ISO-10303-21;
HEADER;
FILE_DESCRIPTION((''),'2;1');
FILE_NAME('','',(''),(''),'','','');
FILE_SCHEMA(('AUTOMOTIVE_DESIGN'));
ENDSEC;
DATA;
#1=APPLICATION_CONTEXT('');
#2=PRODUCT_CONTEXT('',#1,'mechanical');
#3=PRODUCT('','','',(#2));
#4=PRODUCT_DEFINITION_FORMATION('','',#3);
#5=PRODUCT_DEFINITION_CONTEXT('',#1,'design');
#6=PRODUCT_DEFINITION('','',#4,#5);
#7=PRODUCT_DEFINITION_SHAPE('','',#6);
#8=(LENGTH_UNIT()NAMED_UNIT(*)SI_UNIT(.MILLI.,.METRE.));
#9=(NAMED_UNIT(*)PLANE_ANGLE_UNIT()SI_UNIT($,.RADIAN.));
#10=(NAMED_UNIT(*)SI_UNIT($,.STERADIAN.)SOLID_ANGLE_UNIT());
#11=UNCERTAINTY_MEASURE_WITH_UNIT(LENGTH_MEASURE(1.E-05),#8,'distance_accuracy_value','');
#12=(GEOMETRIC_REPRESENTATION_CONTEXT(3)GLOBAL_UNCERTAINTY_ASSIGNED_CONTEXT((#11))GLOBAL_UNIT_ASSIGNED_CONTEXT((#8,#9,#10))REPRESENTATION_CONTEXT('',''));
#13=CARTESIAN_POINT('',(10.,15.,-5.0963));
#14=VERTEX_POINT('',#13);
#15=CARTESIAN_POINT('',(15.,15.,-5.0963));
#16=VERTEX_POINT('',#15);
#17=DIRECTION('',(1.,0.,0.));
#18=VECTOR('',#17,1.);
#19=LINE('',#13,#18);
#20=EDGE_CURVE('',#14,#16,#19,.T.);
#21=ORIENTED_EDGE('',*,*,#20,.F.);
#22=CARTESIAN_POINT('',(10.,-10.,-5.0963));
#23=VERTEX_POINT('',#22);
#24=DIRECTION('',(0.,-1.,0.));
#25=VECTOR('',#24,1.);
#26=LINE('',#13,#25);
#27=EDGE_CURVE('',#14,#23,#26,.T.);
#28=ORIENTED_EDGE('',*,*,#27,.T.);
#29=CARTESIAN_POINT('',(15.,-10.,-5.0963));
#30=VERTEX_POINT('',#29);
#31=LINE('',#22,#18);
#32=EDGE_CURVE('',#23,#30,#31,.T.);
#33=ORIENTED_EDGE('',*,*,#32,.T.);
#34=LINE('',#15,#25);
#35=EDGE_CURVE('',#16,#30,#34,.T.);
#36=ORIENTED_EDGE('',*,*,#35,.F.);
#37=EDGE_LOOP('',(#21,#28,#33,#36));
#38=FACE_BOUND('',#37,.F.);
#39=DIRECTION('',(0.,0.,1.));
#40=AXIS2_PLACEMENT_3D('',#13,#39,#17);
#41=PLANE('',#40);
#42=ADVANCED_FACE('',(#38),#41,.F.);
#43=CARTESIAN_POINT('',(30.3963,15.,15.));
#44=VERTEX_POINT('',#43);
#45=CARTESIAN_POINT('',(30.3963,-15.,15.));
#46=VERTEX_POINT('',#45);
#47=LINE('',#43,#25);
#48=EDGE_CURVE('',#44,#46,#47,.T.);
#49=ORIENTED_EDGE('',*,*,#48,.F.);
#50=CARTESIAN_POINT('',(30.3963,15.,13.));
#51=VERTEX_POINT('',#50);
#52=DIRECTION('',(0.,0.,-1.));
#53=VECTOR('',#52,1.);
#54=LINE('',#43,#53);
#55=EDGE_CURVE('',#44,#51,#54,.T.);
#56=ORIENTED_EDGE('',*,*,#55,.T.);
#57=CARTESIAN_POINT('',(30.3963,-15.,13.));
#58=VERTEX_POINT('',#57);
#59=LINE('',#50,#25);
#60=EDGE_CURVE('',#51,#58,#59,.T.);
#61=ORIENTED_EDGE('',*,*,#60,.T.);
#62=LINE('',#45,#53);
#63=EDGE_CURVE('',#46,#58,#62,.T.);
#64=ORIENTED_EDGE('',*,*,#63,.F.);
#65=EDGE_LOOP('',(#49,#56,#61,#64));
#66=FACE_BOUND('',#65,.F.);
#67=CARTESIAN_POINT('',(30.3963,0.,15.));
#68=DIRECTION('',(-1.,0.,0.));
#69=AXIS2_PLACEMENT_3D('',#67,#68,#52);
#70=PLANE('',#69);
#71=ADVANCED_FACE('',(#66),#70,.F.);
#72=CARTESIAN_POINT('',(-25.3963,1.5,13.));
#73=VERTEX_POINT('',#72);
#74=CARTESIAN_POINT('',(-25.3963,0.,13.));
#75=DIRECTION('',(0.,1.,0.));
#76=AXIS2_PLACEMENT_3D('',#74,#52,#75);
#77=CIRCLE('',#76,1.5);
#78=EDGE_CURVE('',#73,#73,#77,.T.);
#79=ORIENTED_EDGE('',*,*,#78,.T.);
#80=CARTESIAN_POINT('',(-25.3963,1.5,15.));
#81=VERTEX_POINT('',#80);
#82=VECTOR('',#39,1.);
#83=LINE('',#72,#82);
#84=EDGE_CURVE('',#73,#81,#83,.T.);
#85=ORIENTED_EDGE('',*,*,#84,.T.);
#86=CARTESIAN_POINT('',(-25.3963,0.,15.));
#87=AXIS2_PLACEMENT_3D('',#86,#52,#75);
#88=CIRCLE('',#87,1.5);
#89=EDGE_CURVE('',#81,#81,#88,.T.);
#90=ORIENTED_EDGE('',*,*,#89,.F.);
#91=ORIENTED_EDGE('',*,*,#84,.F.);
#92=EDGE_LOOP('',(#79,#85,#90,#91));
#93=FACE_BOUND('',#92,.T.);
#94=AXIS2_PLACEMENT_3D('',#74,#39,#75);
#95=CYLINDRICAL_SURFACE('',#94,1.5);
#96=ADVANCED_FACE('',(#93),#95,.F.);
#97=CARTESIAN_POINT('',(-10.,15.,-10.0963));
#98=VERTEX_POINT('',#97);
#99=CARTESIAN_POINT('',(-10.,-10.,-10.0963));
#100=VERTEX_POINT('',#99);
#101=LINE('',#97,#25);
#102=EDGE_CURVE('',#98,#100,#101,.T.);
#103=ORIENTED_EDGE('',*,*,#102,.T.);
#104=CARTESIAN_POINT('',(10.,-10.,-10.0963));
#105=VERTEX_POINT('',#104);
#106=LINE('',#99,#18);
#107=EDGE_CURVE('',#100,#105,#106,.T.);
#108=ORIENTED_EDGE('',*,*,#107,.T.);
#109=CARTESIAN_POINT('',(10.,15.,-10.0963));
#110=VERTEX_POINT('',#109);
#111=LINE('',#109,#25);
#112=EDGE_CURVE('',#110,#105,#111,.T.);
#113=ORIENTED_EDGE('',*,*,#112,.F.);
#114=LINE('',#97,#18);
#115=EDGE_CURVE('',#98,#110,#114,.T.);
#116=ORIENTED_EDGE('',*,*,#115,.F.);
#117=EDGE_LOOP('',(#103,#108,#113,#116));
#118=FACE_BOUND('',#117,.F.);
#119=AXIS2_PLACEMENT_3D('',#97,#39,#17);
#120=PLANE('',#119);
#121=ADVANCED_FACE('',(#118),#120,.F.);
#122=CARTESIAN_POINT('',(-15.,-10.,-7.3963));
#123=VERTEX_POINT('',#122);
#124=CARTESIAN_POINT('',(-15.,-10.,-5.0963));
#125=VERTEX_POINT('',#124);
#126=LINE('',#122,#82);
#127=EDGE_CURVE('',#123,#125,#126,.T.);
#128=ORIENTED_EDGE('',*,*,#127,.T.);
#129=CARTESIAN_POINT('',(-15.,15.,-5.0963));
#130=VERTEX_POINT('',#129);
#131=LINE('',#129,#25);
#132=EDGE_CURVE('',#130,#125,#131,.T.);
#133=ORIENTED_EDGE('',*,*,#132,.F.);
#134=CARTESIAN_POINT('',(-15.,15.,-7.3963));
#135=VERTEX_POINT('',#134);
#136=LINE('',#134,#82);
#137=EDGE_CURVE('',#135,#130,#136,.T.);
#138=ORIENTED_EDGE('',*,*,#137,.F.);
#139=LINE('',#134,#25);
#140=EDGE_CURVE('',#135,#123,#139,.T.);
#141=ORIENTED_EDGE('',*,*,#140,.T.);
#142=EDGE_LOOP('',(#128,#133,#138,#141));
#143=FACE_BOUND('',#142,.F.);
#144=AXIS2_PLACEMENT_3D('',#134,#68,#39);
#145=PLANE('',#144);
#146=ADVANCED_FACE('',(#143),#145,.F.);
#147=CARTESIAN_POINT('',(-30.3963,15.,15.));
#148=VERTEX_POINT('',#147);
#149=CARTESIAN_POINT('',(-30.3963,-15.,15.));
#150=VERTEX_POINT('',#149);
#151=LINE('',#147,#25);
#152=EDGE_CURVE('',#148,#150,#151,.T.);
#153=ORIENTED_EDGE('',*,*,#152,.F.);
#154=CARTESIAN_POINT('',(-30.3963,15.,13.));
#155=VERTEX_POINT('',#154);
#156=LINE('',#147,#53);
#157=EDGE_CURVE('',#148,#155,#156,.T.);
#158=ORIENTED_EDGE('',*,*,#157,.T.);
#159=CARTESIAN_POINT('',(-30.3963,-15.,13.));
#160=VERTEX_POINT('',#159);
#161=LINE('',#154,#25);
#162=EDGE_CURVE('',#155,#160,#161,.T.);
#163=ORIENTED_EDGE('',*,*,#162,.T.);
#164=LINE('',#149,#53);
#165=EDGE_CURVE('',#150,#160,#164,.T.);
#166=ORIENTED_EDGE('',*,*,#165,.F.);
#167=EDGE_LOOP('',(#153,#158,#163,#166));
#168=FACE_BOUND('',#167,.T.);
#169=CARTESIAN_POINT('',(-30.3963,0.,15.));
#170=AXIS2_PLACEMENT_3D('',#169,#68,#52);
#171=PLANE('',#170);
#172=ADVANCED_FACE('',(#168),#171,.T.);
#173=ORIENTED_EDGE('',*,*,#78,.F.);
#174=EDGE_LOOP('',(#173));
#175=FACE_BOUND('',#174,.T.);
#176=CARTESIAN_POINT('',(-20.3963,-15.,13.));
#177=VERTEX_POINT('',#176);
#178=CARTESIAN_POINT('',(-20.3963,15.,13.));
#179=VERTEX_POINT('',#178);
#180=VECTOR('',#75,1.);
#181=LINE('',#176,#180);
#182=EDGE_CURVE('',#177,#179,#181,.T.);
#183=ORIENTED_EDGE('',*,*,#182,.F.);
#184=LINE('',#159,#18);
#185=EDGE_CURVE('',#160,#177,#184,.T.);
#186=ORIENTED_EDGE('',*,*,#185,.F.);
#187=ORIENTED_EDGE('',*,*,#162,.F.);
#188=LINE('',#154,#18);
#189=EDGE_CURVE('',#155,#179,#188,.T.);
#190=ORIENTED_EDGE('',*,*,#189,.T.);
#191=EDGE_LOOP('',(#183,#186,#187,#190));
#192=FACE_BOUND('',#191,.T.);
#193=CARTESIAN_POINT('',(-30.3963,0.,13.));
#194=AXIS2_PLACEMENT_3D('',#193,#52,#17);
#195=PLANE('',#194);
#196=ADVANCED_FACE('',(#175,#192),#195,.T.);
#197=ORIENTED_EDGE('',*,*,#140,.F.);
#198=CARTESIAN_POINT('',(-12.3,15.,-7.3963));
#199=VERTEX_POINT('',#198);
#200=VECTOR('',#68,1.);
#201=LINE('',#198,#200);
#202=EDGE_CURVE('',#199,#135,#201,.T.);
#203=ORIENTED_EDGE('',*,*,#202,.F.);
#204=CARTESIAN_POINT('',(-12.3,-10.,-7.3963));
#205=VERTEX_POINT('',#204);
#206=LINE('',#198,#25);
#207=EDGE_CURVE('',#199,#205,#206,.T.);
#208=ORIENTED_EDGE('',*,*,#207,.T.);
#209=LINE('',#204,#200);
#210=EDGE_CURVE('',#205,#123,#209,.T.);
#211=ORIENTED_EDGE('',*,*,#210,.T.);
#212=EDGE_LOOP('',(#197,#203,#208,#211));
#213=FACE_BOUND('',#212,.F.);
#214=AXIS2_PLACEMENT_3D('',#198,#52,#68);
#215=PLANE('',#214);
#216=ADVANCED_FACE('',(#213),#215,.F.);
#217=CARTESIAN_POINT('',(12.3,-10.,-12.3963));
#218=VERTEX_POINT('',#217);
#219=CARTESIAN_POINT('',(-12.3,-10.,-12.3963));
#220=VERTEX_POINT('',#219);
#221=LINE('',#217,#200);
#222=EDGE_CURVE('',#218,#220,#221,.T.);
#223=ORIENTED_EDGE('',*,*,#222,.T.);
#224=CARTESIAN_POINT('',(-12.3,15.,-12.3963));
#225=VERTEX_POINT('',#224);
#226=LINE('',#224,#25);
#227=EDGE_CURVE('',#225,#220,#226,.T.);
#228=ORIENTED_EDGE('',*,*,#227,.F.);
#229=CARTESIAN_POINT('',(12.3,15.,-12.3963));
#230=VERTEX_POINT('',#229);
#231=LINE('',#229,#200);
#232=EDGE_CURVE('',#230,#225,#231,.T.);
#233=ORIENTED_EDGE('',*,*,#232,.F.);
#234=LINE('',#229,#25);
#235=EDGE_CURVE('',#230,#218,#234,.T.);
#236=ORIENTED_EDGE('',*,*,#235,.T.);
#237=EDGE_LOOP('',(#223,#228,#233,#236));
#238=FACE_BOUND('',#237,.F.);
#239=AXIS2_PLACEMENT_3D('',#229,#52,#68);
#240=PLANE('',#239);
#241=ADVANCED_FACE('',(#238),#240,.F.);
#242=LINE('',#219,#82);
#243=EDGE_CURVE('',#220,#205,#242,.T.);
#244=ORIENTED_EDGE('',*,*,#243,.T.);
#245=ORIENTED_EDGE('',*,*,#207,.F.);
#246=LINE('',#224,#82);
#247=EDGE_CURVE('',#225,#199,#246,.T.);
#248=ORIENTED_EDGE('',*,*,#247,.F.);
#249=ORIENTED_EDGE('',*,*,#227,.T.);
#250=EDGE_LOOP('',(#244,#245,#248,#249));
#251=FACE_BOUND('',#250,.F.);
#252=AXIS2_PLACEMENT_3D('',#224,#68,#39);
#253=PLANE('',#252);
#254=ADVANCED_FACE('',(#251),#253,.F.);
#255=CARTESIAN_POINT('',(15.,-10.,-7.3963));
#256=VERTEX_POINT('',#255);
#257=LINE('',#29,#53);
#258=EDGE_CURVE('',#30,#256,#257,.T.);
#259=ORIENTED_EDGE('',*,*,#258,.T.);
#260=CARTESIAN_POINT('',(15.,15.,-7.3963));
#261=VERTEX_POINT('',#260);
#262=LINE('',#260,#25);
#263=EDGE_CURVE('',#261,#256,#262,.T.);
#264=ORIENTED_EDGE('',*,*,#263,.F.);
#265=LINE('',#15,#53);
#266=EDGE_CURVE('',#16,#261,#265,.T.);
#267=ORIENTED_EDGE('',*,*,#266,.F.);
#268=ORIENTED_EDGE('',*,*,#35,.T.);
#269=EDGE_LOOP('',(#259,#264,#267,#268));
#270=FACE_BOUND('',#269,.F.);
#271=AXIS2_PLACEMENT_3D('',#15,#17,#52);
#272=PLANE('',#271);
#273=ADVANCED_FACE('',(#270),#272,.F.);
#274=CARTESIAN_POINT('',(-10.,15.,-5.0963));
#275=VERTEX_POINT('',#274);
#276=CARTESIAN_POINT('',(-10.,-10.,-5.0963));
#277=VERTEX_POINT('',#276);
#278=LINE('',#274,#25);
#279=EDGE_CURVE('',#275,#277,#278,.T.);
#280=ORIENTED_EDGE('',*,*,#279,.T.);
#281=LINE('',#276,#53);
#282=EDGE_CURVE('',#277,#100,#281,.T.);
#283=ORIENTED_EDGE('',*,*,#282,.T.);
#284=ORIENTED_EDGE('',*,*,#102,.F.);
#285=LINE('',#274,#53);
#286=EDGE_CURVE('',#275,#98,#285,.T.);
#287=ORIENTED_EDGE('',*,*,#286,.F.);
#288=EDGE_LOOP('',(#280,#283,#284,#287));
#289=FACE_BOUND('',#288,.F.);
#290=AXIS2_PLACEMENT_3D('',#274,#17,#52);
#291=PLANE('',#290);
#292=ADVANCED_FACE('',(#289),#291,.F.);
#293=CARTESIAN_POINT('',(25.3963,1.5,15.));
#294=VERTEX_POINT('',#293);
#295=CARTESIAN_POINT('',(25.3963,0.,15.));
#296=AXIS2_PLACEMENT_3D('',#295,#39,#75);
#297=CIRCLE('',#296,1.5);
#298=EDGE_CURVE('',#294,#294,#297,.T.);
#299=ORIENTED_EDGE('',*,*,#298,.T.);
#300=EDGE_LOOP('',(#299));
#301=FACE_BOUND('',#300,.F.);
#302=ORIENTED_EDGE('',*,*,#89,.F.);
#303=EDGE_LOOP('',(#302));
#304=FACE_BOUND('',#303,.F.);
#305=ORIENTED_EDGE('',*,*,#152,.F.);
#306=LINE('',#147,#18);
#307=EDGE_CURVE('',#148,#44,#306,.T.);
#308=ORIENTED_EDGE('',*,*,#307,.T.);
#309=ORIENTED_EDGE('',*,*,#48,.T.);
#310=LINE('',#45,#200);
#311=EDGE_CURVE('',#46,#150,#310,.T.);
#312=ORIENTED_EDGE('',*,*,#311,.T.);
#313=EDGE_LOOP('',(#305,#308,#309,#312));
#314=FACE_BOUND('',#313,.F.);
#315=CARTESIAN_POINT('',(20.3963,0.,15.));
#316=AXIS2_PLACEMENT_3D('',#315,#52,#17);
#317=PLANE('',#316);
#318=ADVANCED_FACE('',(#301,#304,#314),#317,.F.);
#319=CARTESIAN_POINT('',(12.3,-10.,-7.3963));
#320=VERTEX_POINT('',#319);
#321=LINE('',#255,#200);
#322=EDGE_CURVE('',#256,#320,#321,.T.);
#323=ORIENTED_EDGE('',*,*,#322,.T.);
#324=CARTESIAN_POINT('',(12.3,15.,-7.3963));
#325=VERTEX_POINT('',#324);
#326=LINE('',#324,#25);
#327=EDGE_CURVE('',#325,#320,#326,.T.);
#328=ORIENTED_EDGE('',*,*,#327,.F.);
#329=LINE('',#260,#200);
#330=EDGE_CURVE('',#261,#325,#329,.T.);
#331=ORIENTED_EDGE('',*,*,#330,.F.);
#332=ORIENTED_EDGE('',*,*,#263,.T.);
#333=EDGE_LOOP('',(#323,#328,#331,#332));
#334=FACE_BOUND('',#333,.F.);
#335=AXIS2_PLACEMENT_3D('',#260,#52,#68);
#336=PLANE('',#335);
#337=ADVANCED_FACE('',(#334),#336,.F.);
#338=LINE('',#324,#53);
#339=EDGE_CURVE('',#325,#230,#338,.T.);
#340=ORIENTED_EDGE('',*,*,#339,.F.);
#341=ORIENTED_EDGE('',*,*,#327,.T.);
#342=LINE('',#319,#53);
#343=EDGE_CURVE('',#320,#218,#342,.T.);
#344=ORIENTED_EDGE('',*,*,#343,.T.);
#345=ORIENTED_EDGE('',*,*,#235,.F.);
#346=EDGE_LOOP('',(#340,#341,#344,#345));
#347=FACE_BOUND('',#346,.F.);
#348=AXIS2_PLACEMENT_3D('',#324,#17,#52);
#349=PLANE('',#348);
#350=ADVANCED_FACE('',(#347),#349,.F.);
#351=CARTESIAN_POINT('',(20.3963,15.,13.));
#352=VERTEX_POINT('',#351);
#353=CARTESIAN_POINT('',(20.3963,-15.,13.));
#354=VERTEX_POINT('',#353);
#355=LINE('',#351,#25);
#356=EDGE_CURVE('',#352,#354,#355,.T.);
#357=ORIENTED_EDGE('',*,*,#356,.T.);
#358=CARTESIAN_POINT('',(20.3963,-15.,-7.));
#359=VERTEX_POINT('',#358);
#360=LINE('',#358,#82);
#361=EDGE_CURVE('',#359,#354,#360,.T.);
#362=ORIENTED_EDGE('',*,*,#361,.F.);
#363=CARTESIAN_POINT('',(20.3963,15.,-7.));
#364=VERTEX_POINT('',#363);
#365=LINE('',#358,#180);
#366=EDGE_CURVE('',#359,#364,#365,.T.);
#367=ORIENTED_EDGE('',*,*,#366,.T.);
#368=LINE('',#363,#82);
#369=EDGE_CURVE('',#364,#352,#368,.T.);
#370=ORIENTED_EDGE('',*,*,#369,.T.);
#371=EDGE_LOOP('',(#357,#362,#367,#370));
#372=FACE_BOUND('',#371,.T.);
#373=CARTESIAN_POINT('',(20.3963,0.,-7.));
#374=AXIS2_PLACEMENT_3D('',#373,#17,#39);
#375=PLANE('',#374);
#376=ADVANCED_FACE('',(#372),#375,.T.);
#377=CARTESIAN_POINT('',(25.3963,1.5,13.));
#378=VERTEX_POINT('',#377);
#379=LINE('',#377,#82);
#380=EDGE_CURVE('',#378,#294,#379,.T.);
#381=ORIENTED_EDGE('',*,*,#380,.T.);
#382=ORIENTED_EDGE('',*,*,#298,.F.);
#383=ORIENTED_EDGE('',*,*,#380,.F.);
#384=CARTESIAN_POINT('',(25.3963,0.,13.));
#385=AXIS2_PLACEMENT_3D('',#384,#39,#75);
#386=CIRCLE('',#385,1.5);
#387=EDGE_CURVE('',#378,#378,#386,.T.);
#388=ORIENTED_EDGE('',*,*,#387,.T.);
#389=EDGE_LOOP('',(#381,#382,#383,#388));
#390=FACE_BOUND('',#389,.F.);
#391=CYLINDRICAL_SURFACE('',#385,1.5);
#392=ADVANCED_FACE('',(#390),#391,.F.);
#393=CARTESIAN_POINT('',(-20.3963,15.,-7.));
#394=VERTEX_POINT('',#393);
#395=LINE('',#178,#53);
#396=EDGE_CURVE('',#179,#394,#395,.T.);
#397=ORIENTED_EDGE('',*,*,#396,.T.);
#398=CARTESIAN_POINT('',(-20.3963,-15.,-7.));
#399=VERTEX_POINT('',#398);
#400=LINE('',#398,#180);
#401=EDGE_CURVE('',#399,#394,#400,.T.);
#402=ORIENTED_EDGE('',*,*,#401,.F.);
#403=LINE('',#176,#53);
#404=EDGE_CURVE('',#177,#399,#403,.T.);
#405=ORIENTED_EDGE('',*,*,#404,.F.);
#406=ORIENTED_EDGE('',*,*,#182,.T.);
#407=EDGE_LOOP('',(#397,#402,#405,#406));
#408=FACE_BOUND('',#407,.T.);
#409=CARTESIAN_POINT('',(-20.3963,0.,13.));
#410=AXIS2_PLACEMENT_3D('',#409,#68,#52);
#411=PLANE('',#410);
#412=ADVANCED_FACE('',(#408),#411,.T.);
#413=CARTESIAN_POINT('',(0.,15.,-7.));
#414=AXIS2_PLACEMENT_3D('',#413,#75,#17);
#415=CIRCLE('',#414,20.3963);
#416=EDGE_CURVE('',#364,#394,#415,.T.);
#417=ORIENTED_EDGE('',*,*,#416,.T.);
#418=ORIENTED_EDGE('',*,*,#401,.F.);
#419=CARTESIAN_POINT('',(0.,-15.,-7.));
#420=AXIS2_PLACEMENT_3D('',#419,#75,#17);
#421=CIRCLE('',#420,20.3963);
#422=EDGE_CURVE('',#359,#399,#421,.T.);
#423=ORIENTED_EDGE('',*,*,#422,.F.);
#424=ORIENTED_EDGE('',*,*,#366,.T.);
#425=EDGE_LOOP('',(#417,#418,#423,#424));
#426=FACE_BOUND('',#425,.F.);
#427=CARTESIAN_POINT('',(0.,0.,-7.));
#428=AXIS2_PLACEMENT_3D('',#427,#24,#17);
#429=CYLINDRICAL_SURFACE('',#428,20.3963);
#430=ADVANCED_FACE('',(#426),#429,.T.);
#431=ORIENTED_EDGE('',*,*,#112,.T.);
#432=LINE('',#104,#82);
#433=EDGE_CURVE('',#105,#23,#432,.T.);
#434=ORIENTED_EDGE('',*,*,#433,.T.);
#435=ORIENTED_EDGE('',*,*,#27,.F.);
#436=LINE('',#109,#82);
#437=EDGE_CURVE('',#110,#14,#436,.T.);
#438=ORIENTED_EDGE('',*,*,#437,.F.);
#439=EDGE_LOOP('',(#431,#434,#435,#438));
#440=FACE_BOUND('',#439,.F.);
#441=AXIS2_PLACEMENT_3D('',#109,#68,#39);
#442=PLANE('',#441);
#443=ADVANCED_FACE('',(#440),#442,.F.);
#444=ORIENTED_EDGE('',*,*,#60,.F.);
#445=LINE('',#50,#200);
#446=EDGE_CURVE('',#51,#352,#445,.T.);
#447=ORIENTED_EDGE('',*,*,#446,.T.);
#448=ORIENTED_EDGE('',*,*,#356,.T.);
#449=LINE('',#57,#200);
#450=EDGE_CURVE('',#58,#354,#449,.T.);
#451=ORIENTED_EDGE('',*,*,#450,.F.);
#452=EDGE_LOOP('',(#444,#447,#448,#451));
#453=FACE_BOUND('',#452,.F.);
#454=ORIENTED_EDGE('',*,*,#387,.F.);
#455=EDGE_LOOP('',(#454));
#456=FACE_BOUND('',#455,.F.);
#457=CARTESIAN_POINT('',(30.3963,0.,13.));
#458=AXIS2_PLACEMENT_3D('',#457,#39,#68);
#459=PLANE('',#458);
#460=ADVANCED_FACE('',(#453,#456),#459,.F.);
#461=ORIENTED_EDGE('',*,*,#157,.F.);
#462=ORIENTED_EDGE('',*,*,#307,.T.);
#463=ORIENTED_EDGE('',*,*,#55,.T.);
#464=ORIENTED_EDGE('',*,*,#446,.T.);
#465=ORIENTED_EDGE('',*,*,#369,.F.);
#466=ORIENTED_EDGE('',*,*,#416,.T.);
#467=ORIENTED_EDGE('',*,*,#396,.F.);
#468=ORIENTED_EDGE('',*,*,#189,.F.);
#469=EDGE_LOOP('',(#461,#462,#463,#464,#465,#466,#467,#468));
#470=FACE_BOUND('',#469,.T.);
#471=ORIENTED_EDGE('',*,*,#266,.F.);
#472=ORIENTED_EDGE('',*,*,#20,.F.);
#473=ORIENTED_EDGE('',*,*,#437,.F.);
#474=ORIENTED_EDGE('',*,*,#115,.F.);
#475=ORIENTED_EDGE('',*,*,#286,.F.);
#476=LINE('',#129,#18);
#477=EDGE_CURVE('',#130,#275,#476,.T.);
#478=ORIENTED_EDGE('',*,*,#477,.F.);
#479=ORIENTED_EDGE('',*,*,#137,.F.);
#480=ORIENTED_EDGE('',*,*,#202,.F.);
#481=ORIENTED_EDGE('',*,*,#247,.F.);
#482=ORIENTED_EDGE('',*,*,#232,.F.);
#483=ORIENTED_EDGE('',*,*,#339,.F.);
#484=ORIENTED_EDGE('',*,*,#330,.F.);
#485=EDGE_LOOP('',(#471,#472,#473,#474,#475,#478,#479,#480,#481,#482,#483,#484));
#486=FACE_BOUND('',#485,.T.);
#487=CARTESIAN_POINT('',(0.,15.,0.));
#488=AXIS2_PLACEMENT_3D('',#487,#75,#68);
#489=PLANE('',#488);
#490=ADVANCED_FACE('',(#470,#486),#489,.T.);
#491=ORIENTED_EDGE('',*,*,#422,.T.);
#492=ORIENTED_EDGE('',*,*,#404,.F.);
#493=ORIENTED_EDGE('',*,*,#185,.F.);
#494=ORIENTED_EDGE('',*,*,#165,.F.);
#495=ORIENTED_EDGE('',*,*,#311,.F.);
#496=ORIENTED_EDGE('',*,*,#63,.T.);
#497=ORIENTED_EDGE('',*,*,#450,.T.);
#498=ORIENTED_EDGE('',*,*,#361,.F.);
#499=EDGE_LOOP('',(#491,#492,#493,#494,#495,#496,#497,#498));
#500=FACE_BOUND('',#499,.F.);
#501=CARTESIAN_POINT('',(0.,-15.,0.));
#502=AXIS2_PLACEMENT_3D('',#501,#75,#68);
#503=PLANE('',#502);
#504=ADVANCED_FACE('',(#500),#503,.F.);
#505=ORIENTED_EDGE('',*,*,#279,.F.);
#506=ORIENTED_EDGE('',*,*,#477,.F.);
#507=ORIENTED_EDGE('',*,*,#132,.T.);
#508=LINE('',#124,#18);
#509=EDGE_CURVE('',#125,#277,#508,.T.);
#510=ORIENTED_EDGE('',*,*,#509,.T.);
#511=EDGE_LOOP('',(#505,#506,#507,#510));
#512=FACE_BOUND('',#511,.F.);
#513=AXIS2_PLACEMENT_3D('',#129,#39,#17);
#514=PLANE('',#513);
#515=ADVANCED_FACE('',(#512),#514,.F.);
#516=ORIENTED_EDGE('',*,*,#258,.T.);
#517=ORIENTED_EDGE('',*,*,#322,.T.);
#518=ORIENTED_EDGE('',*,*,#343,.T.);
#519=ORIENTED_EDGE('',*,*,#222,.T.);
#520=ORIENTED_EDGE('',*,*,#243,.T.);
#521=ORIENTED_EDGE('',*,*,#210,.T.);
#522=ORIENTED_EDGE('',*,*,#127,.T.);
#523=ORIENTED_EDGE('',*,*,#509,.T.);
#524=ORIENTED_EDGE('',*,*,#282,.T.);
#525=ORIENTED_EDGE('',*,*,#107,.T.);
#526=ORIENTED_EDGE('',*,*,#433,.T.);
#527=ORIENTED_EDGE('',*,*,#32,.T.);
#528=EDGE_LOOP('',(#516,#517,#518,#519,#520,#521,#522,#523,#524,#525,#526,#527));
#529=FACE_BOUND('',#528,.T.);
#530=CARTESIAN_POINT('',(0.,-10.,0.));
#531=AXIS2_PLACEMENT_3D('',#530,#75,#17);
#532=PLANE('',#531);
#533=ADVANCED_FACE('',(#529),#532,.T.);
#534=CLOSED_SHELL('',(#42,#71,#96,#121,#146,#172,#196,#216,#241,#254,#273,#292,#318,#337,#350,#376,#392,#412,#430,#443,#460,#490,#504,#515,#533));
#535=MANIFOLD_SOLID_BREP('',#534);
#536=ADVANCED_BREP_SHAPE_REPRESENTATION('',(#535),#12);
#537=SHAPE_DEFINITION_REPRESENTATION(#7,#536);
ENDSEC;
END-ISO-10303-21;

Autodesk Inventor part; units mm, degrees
ref_plane "YZ Plane" through (0, 0, 0) normal (1, 0, 0) x (0, 1, 0)
ref_plane "XZ Plane" through (0, 0, 0) normal (0, 1, 0) x (-1, 0, 0)
ref_plane "XY Plane" through (0, 0, 0) normal (0, 0, 1) x (1, 0, 0)
sketch "Sketch1" plane through (0, 0, 0) normal (0, 1, 0) x (-1, 0, 0)
  line L0 (-20.3963, -7) -> (-20.3963, 13)
  line L1 (-20.3963, 15) -> (20.3963, 15)
  line L2 (20.3963, 13) -> (20.3963, -7)
  arc A0 (-20.3963, -7) -> (20.3963, -7) centre (0, -7) ccw
  line L3 (20.3963, 15) -> (30.3963, 15)
  line L4 (30.3963, 15) -> (30.3963, 13)
  line L5 (30.3963, 13) -> (20.3963, 13)
  line L6 (-20.3963, 15) -> (-30.3963, 15)
  line L7 (-30.3963, 15) -> (-30.3963, 13)
  line L8 (-30.3963, 13) -> (-20.3963, 13)
  point P0 (0, 0)
  point P1 (0, 15)
  point P2 (20.3963, 0)
  dimension "d1" = 2
  dimension "d2" = 2
  dimension "d3" = 10
  dimension "d4" = 10
  dimension "d5" = 20
  dimension "d6" = 20.3963
extrude "Extrusion1" add sketch "Sketch1" along normal mid plane 30
sketch "Sketch2" plane through (0, 15, 0) normal (0, 1, 0) x (1, 0, 0)
  line L0 (-15, 5.0963) -> (-10, 5.0963)
  line L1 (-10, 5.0963) -> (-10, 10.0963)
  line L2 (-10, 10.0963) -> (10, 10.0963)
  line L3 (10, 10.0963) -> (10, 5.0963)
  line L4 (10, 5.0963) -> (15, 5.0963)
  line L5 (15, 5.0963) -> (15, 7.3963)
  line L6 (15, 7.3963) -> (12.3, 7.3963)
  line L7 (12.3, 7.3963) -> (12.3, 12.3963)
  line L8 (12.3, 12.3963) -> (-12.3, 12.3963)
  line L9 (-12.3, 12.3963) -> (-12.3, 7.3963)
  line L10 (-12.3, 7.3963) -> (-15, 7.3963)
  line L11 (-15, 7.3963) -> (-15, 5.0963)
  arc A0 (20.3963, 7) -> (-20.3963, 7) centre (0, 7) ccw projected
  point P0 (0, 0)
  point P1 (0, 12.3963)
  point P2 (0, 10.0963)
  point P3 (0, 27.3963)
  point P4 (15, 6.2463)
  point P5 (-15, 6.2463)
  point P6 (10, 7.5963)
  point P7 (-10, 7.5963)
  point P8 (-12.5, 5.0963)
  point P9 (-13.65, 7.3963)
  dimension "d9" = 15
  dimension "d11" = 2.3
  dimension "d13" = 24.6
  dimension "d14" = 20
  dimension "d15" = 5
  dimension "d17" = 5
  dimension "d27" = 2.3
extrude "Extrusion2" cut sketch "Sketch2" against normal blind 25
sketch "Sketch3" plane through (30.3963, 15, 13) normal (0, 0, -1) x (-1, 0, 0)
  line L0 (0, -30) -> (0, 0) projected
  line L1 (0, 0) -> (10, 0) projected
  point P0 (30.3963, -15)
  point P1 (5, -15)
  point P2 (0, -15)
  point P3 (5, 0)
hole "Hole1" at (25.3963, 0, 13) direction (0, 0, 1) diameter 3 depth 2
mirror "Mirror1" about plane through (0, 0, 0) normal (1, 0, 0) of "Hole1"
properties part number "Part_B7"
